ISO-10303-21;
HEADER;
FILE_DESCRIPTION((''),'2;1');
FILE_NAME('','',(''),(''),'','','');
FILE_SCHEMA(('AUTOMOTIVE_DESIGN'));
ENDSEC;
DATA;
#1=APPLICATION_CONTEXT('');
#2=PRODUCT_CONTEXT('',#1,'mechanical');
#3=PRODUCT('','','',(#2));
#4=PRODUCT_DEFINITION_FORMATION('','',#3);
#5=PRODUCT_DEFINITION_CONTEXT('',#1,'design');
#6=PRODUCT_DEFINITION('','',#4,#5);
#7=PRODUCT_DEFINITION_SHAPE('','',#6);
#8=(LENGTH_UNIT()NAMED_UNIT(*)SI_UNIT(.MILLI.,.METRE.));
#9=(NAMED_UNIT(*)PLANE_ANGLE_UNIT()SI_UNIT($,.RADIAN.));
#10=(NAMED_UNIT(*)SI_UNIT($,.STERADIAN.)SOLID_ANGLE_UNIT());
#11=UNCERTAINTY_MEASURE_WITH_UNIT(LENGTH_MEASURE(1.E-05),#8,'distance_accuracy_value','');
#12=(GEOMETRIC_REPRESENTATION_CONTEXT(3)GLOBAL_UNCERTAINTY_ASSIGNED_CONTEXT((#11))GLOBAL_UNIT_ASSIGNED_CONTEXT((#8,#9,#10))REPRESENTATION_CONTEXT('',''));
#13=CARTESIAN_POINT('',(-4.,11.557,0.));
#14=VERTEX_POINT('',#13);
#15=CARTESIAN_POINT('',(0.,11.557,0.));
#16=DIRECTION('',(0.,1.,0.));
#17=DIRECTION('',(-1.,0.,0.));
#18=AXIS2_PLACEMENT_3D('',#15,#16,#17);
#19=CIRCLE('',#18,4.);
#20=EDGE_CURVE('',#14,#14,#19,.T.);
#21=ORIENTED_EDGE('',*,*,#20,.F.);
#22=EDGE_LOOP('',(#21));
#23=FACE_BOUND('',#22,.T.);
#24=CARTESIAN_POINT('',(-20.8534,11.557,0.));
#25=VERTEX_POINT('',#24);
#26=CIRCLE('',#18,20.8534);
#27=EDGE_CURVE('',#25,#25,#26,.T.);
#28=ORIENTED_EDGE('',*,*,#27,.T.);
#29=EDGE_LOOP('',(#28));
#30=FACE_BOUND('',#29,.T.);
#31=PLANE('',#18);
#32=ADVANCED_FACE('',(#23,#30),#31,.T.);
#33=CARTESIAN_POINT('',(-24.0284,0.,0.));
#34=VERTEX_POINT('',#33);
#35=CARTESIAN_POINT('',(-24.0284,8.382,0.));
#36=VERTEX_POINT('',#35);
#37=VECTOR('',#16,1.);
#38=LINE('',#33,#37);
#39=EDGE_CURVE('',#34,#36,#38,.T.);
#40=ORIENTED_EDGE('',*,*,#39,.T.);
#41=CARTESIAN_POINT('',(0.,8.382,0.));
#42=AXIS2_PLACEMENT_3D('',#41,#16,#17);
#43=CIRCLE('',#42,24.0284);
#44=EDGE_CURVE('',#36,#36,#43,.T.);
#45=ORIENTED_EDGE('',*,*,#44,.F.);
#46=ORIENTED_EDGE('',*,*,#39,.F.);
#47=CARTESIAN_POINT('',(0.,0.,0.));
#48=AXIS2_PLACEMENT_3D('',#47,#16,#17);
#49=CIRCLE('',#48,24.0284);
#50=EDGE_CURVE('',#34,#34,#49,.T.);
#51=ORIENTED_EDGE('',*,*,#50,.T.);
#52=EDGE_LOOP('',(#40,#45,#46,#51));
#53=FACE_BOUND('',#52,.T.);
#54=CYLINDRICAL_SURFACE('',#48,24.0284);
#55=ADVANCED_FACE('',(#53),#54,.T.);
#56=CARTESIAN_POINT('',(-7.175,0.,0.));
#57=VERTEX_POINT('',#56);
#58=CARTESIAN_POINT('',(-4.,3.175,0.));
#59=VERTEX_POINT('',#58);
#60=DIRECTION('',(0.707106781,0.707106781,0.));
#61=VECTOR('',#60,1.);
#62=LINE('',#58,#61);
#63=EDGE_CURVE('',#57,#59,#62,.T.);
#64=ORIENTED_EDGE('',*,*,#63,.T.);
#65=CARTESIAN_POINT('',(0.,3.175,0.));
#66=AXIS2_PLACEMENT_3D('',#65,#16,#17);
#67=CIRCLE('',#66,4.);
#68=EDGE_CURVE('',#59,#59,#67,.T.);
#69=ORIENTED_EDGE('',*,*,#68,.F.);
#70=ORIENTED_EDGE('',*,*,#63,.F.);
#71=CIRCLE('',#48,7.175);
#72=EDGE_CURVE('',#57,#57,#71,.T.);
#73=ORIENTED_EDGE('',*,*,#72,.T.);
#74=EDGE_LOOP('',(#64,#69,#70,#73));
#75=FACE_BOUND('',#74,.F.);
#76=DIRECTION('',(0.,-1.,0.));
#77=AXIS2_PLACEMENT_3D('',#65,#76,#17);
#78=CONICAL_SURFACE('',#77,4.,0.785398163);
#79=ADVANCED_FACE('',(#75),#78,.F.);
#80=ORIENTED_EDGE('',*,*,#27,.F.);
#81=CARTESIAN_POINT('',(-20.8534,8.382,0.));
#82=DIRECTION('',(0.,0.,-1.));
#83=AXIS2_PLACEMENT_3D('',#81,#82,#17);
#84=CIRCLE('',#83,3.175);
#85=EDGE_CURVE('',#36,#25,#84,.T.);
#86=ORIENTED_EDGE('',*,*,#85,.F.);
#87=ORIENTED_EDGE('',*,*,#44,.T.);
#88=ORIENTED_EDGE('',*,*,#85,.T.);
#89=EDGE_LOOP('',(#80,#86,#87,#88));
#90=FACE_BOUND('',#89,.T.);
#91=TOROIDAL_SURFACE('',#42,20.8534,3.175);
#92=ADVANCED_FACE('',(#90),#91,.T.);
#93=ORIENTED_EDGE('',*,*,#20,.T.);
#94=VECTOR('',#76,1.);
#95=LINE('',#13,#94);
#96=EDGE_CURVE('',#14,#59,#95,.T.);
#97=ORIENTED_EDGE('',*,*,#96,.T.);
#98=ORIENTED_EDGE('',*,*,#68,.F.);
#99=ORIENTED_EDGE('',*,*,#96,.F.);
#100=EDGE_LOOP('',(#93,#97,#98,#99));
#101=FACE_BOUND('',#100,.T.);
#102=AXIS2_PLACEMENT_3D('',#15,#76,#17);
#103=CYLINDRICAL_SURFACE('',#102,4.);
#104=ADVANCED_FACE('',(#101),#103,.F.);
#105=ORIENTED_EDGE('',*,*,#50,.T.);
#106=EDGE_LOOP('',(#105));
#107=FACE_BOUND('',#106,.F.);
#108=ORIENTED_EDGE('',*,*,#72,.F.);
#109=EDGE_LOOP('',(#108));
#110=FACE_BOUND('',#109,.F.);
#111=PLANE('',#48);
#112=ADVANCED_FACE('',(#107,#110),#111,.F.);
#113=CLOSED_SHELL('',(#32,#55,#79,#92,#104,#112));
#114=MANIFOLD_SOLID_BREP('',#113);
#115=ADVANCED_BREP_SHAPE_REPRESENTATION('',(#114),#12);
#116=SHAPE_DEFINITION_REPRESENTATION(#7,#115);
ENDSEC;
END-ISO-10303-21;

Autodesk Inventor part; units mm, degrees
ref_plane "YZ Plane" through (0, 0, 0) normal (1, 0, 0) x (0, 1, 0)
ref_plane "XZ Plane" through (0, 0, 0) normal (0, 1, 0) x (-1, 0, 0)
ref_plane "XY Plane" through (0, 0, 0) normal (0, 0, 1) x (1, 0, 0)
sketch "Sketch1" plane through (0, 0, 0) normal (0, 0, 1) x (1, 0, 0)
  line L0 (0, 0) -> (0, 7.5879)
  line L1 (-24.0284, 0) -> (-24.0284, 11.557)
  line L2 (-24.0284, 11.557) -> (-4, 11.557)
  line L3 (-4, 11.557) -> (-4, 0)
  line L4 (-24.0284, 0) -> (-4, 0)
  dimension "d0" = 48.0568
  dimension "d2" = 8
  dimension "d3" = 11.557
revolve "Revolution1" add sketch "Sketch1" angle 360 about axis through (0, 0, 0) along (0, 1, 0)
fillet "Fillet1" radius 3.175 1 edges at (24.0284, 11.557, 0)
chamfer "Chamfer1" distance 3.175 angle 45 1 edges at (4, 0, 0)
properties part number "SMALL-MAGNET" material "Steel, Alloy"
